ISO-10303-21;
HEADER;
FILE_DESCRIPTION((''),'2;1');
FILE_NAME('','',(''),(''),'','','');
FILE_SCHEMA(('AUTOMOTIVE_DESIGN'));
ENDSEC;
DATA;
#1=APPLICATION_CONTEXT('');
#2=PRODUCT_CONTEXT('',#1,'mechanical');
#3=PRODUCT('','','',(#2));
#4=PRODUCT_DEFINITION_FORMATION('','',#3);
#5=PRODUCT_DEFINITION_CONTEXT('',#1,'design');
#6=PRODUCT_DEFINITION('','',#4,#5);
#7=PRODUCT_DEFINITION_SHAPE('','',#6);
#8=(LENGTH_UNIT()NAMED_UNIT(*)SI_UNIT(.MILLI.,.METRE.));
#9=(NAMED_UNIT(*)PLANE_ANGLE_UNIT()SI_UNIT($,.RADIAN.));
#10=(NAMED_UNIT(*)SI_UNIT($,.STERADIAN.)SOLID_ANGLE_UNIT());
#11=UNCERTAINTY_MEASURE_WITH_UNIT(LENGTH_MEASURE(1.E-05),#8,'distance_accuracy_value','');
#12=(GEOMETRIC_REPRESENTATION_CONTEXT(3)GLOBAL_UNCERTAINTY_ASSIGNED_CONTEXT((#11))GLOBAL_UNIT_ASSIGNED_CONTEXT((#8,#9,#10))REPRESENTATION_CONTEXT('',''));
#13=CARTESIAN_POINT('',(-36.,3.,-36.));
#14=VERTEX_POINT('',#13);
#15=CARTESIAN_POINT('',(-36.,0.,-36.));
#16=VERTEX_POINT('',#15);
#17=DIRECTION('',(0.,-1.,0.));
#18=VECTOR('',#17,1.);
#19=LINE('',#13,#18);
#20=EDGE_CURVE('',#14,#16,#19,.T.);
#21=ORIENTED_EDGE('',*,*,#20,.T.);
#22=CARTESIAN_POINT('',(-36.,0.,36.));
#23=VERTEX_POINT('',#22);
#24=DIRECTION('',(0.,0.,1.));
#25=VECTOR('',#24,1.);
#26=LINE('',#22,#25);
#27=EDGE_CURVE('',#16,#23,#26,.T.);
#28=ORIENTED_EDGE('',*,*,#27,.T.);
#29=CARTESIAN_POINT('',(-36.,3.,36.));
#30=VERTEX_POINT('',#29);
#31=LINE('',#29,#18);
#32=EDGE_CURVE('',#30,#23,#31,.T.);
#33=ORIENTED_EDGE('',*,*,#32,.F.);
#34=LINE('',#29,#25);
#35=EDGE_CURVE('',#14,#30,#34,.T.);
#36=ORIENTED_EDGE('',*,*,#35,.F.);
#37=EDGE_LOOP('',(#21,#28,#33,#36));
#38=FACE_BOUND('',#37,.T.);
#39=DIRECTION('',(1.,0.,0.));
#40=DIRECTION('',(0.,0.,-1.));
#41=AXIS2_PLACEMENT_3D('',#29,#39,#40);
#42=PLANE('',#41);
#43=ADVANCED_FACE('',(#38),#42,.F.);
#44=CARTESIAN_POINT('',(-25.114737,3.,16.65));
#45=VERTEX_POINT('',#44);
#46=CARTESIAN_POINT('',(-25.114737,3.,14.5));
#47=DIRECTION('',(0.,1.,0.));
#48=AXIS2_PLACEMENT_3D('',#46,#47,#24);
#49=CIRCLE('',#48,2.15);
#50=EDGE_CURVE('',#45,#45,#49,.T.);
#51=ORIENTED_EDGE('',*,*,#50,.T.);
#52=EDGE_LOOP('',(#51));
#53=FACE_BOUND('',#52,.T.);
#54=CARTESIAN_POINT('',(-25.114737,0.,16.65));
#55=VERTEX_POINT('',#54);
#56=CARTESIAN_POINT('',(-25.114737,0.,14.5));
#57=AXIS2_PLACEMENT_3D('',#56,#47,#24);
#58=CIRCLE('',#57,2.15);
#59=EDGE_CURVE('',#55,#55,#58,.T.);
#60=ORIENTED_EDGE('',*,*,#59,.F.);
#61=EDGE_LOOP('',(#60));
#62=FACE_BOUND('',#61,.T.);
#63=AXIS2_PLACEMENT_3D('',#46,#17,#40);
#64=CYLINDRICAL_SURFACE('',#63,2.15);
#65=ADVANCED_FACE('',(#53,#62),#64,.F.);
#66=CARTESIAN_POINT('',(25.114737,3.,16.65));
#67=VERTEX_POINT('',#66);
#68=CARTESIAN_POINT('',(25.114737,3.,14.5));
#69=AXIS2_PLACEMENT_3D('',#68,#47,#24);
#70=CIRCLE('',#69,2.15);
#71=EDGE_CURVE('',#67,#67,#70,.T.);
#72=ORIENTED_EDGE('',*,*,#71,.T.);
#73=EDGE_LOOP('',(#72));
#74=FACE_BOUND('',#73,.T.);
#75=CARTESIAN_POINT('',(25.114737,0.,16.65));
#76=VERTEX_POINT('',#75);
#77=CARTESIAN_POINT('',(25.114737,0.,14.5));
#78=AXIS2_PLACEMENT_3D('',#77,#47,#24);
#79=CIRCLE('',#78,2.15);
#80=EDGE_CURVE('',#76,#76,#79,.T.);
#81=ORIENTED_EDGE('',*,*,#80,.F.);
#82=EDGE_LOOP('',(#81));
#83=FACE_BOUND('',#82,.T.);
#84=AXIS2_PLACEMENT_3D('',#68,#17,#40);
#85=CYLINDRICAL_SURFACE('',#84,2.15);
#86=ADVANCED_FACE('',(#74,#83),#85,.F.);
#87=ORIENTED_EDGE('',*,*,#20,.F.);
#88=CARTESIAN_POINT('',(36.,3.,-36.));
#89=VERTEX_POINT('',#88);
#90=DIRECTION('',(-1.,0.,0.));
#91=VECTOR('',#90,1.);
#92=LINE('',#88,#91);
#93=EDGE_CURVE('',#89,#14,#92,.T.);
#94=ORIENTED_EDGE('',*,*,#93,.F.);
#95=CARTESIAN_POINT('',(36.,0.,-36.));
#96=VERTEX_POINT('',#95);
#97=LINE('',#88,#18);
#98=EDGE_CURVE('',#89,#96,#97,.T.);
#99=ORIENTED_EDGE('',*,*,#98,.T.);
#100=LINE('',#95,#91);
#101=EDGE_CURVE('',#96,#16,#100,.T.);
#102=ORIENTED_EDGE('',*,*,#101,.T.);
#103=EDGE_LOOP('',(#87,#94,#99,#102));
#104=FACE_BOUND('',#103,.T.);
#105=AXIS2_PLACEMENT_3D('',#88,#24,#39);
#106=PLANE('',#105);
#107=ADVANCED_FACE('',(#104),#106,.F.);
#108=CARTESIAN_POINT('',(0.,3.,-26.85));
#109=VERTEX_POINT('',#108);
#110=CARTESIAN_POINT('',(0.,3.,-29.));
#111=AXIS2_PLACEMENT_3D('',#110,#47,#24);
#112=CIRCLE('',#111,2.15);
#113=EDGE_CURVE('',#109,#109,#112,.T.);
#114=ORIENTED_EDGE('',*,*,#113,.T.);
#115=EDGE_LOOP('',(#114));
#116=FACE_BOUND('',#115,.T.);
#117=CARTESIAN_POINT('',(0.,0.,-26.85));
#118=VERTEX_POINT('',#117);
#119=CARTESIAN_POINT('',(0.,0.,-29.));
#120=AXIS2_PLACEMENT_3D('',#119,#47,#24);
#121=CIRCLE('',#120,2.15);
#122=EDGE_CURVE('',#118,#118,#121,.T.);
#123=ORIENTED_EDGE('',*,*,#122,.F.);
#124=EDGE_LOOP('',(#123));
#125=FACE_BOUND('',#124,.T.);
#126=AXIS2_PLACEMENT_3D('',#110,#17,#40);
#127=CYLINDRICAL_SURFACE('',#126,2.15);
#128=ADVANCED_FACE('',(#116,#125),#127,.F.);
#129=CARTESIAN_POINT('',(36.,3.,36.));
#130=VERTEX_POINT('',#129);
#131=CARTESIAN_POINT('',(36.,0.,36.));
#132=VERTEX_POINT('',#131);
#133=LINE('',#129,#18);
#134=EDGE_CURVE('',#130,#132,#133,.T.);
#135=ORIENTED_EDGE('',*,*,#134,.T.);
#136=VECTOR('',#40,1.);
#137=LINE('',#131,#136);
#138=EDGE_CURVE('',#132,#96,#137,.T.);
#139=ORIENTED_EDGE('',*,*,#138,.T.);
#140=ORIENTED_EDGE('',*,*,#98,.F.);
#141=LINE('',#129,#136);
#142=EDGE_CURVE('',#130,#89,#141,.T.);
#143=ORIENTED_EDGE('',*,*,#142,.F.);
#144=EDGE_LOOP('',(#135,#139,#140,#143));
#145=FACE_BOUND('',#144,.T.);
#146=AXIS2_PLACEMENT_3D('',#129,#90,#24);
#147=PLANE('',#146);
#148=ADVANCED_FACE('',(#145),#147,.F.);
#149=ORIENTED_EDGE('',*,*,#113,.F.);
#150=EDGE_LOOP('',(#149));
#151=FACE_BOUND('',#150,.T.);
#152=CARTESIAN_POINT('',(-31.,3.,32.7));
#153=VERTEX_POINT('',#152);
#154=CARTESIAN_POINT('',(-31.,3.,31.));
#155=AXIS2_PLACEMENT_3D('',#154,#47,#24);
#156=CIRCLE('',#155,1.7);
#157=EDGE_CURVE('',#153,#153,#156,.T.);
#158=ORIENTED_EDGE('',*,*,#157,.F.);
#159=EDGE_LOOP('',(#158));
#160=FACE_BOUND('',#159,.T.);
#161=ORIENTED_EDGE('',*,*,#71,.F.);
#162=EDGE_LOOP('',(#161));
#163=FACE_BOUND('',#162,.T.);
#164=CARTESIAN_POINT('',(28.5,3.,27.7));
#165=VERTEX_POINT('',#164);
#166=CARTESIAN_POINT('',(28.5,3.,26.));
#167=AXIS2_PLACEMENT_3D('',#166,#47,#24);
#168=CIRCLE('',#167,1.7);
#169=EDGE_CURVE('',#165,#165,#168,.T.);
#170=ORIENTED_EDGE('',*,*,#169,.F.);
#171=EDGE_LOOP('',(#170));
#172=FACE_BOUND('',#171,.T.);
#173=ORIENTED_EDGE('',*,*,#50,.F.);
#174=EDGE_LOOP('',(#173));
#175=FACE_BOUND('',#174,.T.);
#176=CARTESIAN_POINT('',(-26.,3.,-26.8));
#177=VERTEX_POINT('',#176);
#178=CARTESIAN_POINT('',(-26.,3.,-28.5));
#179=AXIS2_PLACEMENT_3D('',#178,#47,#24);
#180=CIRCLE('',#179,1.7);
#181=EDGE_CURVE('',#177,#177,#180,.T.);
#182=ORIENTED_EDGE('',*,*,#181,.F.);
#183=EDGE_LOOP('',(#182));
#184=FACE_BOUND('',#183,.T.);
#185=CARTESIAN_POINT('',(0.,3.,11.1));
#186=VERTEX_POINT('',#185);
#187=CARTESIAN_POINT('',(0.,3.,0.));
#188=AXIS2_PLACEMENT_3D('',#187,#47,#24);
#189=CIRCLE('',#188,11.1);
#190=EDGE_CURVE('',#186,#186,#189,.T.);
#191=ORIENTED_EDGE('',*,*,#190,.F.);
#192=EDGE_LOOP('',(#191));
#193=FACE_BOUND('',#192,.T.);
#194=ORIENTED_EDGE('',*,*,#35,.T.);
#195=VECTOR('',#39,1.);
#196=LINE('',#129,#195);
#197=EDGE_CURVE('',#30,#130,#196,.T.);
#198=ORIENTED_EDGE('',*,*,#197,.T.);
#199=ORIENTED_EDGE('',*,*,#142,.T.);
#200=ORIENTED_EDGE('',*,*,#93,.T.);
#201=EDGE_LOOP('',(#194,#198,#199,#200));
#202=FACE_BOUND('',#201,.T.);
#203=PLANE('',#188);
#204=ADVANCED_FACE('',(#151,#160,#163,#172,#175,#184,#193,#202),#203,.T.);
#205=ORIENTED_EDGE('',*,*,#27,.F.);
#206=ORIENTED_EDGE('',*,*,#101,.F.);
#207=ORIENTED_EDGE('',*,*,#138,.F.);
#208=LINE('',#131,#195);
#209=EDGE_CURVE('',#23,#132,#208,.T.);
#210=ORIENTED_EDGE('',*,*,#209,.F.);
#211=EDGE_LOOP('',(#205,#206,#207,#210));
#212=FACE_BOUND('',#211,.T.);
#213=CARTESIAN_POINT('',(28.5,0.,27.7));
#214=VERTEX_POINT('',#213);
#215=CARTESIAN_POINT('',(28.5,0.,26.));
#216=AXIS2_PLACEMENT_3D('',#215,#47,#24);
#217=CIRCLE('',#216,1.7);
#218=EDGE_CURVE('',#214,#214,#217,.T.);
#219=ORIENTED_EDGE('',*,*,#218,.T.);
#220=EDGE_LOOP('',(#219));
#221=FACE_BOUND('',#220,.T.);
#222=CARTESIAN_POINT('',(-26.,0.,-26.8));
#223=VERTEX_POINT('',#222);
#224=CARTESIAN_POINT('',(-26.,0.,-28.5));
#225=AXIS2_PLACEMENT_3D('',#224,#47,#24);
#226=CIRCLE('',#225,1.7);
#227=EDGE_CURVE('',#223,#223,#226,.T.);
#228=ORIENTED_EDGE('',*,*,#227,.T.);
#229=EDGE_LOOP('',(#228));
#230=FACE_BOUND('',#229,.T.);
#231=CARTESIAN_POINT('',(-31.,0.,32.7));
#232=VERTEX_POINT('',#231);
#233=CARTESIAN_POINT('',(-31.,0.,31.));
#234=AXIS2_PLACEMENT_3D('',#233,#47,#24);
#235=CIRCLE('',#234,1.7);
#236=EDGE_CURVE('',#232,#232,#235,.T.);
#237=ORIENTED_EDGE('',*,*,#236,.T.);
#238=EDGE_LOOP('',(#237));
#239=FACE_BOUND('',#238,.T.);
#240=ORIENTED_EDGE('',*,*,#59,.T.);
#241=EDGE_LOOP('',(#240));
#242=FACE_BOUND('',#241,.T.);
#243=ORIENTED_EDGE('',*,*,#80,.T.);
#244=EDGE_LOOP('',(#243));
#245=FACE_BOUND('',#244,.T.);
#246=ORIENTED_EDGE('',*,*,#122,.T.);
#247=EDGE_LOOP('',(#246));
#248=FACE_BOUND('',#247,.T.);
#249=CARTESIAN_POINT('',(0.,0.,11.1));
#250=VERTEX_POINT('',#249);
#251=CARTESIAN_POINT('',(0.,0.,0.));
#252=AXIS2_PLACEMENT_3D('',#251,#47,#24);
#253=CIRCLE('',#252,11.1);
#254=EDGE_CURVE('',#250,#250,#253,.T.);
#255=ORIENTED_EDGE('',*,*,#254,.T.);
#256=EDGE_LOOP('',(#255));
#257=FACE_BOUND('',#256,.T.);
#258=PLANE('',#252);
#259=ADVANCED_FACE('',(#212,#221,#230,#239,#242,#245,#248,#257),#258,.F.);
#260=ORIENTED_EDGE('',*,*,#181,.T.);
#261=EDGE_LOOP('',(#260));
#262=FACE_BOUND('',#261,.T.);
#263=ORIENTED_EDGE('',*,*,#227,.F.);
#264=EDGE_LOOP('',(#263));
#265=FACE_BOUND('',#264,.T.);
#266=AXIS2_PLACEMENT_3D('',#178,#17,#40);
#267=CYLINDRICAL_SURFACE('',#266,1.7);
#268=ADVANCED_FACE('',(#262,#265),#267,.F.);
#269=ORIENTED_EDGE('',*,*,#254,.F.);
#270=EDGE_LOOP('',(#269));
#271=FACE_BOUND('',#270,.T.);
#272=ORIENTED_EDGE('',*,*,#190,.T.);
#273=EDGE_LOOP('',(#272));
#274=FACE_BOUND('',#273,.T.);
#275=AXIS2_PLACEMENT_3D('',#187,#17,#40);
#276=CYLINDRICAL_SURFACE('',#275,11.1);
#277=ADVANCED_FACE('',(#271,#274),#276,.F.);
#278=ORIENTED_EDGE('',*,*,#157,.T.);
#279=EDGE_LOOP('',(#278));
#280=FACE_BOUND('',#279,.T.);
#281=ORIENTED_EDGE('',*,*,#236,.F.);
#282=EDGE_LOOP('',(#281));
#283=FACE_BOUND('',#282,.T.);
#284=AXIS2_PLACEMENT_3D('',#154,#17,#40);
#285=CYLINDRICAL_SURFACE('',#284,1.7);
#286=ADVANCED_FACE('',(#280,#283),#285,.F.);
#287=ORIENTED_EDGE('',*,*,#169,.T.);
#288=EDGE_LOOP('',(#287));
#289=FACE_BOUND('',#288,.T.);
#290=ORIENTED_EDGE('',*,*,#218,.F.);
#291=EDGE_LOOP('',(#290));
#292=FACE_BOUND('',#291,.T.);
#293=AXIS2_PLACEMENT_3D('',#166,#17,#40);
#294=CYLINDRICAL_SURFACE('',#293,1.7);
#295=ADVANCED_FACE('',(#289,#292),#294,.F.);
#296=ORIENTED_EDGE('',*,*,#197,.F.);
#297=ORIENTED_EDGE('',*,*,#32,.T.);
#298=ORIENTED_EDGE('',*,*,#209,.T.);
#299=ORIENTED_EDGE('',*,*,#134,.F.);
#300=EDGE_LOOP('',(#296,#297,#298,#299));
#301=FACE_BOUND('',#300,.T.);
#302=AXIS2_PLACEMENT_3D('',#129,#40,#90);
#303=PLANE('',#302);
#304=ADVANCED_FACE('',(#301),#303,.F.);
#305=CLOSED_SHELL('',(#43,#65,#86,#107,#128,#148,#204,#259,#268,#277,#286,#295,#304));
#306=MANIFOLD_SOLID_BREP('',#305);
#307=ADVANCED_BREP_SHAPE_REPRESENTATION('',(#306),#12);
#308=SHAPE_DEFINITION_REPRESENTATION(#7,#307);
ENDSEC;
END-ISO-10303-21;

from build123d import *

# Parameters (mm, degrees)
SKETCH_3_W      = 72
SKETCH_3_H      = 72
SKETCH_3_R      = 11.1
SKETCH_3_R_2    = 2.15
SKETCH_3_R_3    = 1.7
EXTRUDE_1_DEPTH = 3


with BuildPart() as part:
    # 草图3 → 凸台-拉伸1 (new body)
    with BuildSketch(Plane(origin=(0, 0, 0), x_dir=(1, 0, 0), z_dir=(0, 1, 0))):
        Rectangle(SKETCH_3_W, SKETCH_3_H)
        with Locations(Location((0, 0, 0), (0, 0, 270))):
            Circle(SKETCH_3_R, mode=Mode.SUBTRACT)
        with Locations(Location((0, 29, 0), (0, 0, 270))):
            Circle(SKETCH_3_R_2, mode=Mode.SUBTRACT)
        with Locations(Location((25.11473671, -14.5, 0), (0, 0, 270))):
            Circle(SKETCH_3_R_2, mode=Mode.SUBTRACT)
        with Locations(Location((-25.11473671, -14.5, 0), (0, 0, 270))):
            Circle(SKETCH_3_R_2, mode=Mode.SUBTRACT)
        with Locations(Location((-26, 28.5, 0), (0, 0, 270))):
            Circle(SKETCH_3_R_3, mode=Mode.SUBTRACT)
        with Locations(Location((-31, -31, 0), (0, 0, 270))):
            Circle(SKETCH_3_R_3, mode=Mode.SUBTRACT)
        with Locations(Location((28.5, -26, 0), (0, 0, 270))):
            Circle(SKETCH_3_R_3, mode=Mode.SUBTRACT)
    extrude(amount=EXTRUDE_1_DEPTH)


solid = part.part
